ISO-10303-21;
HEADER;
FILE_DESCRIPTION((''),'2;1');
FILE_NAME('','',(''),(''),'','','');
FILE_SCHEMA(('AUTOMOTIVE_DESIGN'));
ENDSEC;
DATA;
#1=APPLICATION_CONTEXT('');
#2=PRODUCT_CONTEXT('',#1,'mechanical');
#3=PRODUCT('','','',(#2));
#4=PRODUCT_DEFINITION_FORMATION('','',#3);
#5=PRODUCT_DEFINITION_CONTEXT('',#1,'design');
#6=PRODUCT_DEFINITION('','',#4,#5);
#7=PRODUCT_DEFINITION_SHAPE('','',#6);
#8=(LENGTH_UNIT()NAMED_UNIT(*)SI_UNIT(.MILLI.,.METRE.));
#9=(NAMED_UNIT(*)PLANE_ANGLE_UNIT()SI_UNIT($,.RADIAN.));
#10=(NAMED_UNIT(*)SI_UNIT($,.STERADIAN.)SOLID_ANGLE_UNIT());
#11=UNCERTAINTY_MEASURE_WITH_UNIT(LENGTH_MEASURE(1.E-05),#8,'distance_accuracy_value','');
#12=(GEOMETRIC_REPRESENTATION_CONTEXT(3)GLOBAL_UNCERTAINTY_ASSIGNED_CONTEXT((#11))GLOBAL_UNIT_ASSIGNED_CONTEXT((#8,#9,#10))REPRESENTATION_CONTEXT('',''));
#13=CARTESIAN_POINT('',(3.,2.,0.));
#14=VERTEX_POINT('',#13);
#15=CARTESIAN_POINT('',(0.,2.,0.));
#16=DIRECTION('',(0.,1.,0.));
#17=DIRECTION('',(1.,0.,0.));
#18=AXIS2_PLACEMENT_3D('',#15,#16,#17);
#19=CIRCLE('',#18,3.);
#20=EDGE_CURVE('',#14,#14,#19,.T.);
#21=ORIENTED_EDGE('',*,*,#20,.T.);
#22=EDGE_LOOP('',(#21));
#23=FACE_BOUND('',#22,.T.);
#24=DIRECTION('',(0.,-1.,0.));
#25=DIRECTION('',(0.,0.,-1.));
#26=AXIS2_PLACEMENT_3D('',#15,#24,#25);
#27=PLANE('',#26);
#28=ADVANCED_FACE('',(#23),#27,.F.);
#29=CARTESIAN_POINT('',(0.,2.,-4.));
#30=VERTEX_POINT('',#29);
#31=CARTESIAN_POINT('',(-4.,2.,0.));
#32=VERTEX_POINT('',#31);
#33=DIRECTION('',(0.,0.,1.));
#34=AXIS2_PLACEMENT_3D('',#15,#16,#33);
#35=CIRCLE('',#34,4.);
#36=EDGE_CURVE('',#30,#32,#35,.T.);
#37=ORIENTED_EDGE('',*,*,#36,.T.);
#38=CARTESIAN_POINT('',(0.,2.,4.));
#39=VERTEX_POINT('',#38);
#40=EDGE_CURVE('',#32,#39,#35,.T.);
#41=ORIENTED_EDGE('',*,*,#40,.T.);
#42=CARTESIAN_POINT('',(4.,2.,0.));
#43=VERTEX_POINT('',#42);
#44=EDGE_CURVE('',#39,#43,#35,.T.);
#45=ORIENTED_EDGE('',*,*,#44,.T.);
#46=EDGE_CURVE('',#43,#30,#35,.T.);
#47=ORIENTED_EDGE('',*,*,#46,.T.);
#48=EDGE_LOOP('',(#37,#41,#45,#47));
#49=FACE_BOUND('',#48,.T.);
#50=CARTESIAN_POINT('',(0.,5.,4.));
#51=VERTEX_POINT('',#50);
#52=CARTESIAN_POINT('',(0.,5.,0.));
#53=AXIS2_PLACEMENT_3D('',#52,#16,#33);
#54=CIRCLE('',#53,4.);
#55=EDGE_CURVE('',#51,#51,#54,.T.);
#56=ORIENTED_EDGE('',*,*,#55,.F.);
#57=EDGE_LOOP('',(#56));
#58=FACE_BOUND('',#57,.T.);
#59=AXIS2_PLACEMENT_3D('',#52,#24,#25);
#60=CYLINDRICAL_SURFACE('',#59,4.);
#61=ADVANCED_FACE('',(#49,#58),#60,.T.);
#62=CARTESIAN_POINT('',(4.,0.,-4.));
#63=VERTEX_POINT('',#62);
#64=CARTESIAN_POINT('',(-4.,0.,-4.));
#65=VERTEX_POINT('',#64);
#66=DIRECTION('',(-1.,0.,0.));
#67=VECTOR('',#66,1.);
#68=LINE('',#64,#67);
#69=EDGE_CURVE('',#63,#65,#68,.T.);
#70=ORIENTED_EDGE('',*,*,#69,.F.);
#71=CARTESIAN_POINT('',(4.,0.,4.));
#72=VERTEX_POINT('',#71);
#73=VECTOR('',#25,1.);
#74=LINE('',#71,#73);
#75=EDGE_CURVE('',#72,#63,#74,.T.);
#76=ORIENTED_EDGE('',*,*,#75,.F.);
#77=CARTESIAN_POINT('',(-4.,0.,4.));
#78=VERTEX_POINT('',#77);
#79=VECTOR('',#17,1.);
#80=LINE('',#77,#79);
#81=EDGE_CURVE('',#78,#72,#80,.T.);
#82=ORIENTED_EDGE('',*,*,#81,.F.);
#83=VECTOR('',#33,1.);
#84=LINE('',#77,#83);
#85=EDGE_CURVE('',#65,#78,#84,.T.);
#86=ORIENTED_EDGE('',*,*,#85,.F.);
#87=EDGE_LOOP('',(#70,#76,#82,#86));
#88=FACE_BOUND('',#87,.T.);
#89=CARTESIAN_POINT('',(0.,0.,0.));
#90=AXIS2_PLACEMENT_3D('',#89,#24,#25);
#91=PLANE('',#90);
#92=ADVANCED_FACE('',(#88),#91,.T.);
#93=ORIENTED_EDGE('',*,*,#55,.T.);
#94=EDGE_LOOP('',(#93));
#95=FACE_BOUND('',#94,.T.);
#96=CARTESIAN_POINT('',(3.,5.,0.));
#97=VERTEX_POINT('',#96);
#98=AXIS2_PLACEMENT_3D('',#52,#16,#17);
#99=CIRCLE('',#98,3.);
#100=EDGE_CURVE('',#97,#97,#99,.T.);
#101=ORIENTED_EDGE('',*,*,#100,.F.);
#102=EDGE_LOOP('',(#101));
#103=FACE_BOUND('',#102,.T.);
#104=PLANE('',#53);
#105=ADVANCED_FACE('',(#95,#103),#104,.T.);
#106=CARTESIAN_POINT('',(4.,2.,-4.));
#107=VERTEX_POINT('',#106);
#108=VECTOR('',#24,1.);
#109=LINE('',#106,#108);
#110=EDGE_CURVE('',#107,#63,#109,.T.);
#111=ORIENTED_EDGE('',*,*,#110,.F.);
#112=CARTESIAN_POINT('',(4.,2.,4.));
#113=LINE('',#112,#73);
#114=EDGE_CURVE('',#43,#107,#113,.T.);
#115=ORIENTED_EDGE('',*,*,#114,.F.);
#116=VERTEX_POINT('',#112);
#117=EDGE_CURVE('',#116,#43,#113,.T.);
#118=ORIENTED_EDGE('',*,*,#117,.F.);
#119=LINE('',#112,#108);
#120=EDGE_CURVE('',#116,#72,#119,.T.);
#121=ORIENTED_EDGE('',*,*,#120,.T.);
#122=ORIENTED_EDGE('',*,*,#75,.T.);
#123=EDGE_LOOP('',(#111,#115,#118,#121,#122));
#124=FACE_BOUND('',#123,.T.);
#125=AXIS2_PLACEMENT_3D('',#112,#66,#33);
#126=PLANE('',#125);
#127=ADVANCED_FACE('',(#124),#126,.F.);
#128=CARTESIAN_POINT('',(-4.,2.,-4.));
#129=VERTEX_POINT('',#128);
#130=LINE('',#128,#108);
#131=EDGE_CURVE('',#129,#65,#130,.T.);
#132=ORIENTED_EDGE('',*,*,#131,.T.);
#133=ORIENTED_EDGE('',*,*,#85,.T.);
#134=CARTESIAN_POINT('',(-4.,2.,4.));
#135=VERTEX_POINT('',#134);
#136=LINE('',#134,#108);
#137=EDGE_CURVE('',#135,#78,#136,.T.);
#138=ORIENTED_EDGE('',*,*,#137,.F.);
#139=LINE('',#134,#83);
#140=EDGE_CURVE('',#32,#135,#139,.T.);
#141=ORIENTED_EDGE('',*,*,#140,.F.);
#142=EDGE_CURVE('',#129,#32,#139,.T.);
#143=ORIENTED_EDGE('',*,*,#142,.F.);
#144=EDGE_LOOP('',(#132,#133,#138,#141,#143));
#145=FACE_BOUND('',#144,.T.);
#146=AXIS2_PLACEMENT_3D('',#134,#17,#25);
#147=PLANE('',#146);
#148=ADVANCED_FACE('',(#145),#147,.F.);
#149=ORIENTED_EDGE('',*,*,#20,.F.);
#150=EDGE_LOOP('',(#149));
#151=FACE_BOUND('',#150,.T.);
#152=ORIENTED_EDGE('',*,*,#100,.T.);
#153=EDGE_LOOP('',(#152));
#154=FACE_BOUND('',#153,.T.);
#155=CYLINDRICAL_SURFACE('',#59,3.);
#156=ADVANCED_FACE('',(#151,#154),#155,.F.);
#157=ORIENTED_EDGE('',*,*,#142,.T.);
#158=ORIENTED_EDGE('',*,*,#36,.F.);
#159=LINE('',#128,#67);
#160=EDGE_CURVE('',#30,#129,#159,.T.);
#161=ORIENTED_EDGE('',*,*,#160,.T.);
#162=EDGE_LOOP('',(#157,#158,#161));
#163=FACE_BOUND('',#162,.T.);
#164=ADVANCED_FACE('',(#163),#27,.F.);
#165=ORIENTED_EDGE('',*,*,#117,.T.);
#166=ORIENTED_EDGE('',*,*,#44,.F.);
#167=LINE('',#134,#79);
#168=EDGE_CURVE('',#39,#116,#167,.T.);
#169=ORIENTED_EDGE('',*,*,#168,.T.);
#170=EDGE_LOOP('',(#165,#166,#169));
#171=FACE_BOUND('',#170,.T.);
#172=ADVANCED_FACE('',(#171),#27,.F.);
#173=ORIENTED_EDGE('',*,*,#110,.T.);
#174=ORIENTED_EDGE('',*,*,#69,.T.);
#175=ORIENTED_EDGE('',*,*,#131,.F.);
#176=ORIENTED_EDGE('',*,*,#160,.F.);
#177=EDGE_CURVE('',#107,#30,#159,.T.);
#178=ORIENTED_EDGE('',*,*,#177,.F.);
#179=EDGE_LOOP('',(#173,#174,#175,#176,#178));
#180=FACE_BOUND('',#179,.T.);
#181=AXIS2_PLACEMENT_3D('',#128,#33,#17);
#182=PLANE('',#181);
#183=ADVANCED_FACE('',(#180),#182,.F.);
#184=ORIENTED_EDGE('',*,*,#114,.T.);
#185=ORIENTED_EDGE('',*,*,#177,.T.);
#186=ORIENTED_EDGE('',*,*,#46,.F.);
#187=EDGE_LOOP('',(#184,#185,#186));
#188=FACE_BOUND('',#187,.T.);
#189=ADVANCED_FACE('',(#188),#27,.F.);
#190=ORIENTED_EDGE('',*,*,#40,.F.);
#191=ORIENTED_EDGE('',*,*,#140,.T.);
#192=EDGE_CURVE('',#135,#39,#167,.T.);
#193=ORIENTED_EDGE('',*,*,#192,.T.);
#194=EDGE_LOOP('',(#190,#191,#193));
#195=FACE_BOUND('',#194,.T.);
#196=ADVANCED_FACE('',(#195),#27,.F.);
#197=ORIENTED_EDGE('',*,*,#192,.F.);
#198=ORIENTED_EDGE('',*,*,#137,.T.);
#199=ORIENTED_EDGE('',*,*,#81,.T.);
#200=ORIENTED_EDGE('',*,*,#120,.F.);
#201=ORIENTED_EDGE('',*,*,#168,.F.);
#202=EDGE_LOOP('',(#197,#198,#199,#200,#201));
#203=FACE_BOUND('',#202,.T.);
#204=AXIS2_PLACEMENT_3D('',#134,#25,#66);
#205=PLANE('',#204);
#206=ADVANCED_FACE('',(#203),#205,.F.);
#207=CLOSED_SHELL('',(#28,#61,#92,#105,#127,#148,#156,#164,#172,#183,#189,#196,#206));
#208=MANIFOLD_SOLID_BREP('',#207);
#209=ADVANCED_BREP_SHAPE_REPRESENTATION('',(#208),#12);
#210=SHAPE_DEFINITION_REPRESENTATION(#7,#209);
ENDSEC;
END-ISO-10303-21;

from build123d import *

# Parameters (mm, degrees)
IZIM1_W                     = 8
IZIM1_H                     = 8
Y_KSEKLIK_EKSTR_ZYON1_DEPTH = 2
IZIM2_R                     = 4
IZIM2_R_2                   = 3
EKSTR_ZYON_NCE1_DEPTH       = 3


with BuildPart() as part:
    # Çizim1 → Yükseklik-Ekstrüzyon1 (new body)
    with BuildSketch(Plane(origin=(0, 0, 0), x_dir=(1, 0, 0), z_dir=(0, 1, 0))):
        Rectangle(IZIM1_W, IZIM1_H)
    extrude(amount=Y_KSEKLIK_EKSTR_ZYON1_DEPTH)

    # Çizim2 → Ekstrüzyon-İnce1 (add)
    with BuildSketch(Plane(origin=(0, 2, 0), x_dir=(1, 0, 0), z_dir=(0, 1, 0))):
        Circle(IZIM2_R)
        Circle(IZIM2_R_2, mode=Mode.SUBTRACT)
    extrude(amount=EKSTR_ZYON_NCE1_DEPTH)


solid = part.part
